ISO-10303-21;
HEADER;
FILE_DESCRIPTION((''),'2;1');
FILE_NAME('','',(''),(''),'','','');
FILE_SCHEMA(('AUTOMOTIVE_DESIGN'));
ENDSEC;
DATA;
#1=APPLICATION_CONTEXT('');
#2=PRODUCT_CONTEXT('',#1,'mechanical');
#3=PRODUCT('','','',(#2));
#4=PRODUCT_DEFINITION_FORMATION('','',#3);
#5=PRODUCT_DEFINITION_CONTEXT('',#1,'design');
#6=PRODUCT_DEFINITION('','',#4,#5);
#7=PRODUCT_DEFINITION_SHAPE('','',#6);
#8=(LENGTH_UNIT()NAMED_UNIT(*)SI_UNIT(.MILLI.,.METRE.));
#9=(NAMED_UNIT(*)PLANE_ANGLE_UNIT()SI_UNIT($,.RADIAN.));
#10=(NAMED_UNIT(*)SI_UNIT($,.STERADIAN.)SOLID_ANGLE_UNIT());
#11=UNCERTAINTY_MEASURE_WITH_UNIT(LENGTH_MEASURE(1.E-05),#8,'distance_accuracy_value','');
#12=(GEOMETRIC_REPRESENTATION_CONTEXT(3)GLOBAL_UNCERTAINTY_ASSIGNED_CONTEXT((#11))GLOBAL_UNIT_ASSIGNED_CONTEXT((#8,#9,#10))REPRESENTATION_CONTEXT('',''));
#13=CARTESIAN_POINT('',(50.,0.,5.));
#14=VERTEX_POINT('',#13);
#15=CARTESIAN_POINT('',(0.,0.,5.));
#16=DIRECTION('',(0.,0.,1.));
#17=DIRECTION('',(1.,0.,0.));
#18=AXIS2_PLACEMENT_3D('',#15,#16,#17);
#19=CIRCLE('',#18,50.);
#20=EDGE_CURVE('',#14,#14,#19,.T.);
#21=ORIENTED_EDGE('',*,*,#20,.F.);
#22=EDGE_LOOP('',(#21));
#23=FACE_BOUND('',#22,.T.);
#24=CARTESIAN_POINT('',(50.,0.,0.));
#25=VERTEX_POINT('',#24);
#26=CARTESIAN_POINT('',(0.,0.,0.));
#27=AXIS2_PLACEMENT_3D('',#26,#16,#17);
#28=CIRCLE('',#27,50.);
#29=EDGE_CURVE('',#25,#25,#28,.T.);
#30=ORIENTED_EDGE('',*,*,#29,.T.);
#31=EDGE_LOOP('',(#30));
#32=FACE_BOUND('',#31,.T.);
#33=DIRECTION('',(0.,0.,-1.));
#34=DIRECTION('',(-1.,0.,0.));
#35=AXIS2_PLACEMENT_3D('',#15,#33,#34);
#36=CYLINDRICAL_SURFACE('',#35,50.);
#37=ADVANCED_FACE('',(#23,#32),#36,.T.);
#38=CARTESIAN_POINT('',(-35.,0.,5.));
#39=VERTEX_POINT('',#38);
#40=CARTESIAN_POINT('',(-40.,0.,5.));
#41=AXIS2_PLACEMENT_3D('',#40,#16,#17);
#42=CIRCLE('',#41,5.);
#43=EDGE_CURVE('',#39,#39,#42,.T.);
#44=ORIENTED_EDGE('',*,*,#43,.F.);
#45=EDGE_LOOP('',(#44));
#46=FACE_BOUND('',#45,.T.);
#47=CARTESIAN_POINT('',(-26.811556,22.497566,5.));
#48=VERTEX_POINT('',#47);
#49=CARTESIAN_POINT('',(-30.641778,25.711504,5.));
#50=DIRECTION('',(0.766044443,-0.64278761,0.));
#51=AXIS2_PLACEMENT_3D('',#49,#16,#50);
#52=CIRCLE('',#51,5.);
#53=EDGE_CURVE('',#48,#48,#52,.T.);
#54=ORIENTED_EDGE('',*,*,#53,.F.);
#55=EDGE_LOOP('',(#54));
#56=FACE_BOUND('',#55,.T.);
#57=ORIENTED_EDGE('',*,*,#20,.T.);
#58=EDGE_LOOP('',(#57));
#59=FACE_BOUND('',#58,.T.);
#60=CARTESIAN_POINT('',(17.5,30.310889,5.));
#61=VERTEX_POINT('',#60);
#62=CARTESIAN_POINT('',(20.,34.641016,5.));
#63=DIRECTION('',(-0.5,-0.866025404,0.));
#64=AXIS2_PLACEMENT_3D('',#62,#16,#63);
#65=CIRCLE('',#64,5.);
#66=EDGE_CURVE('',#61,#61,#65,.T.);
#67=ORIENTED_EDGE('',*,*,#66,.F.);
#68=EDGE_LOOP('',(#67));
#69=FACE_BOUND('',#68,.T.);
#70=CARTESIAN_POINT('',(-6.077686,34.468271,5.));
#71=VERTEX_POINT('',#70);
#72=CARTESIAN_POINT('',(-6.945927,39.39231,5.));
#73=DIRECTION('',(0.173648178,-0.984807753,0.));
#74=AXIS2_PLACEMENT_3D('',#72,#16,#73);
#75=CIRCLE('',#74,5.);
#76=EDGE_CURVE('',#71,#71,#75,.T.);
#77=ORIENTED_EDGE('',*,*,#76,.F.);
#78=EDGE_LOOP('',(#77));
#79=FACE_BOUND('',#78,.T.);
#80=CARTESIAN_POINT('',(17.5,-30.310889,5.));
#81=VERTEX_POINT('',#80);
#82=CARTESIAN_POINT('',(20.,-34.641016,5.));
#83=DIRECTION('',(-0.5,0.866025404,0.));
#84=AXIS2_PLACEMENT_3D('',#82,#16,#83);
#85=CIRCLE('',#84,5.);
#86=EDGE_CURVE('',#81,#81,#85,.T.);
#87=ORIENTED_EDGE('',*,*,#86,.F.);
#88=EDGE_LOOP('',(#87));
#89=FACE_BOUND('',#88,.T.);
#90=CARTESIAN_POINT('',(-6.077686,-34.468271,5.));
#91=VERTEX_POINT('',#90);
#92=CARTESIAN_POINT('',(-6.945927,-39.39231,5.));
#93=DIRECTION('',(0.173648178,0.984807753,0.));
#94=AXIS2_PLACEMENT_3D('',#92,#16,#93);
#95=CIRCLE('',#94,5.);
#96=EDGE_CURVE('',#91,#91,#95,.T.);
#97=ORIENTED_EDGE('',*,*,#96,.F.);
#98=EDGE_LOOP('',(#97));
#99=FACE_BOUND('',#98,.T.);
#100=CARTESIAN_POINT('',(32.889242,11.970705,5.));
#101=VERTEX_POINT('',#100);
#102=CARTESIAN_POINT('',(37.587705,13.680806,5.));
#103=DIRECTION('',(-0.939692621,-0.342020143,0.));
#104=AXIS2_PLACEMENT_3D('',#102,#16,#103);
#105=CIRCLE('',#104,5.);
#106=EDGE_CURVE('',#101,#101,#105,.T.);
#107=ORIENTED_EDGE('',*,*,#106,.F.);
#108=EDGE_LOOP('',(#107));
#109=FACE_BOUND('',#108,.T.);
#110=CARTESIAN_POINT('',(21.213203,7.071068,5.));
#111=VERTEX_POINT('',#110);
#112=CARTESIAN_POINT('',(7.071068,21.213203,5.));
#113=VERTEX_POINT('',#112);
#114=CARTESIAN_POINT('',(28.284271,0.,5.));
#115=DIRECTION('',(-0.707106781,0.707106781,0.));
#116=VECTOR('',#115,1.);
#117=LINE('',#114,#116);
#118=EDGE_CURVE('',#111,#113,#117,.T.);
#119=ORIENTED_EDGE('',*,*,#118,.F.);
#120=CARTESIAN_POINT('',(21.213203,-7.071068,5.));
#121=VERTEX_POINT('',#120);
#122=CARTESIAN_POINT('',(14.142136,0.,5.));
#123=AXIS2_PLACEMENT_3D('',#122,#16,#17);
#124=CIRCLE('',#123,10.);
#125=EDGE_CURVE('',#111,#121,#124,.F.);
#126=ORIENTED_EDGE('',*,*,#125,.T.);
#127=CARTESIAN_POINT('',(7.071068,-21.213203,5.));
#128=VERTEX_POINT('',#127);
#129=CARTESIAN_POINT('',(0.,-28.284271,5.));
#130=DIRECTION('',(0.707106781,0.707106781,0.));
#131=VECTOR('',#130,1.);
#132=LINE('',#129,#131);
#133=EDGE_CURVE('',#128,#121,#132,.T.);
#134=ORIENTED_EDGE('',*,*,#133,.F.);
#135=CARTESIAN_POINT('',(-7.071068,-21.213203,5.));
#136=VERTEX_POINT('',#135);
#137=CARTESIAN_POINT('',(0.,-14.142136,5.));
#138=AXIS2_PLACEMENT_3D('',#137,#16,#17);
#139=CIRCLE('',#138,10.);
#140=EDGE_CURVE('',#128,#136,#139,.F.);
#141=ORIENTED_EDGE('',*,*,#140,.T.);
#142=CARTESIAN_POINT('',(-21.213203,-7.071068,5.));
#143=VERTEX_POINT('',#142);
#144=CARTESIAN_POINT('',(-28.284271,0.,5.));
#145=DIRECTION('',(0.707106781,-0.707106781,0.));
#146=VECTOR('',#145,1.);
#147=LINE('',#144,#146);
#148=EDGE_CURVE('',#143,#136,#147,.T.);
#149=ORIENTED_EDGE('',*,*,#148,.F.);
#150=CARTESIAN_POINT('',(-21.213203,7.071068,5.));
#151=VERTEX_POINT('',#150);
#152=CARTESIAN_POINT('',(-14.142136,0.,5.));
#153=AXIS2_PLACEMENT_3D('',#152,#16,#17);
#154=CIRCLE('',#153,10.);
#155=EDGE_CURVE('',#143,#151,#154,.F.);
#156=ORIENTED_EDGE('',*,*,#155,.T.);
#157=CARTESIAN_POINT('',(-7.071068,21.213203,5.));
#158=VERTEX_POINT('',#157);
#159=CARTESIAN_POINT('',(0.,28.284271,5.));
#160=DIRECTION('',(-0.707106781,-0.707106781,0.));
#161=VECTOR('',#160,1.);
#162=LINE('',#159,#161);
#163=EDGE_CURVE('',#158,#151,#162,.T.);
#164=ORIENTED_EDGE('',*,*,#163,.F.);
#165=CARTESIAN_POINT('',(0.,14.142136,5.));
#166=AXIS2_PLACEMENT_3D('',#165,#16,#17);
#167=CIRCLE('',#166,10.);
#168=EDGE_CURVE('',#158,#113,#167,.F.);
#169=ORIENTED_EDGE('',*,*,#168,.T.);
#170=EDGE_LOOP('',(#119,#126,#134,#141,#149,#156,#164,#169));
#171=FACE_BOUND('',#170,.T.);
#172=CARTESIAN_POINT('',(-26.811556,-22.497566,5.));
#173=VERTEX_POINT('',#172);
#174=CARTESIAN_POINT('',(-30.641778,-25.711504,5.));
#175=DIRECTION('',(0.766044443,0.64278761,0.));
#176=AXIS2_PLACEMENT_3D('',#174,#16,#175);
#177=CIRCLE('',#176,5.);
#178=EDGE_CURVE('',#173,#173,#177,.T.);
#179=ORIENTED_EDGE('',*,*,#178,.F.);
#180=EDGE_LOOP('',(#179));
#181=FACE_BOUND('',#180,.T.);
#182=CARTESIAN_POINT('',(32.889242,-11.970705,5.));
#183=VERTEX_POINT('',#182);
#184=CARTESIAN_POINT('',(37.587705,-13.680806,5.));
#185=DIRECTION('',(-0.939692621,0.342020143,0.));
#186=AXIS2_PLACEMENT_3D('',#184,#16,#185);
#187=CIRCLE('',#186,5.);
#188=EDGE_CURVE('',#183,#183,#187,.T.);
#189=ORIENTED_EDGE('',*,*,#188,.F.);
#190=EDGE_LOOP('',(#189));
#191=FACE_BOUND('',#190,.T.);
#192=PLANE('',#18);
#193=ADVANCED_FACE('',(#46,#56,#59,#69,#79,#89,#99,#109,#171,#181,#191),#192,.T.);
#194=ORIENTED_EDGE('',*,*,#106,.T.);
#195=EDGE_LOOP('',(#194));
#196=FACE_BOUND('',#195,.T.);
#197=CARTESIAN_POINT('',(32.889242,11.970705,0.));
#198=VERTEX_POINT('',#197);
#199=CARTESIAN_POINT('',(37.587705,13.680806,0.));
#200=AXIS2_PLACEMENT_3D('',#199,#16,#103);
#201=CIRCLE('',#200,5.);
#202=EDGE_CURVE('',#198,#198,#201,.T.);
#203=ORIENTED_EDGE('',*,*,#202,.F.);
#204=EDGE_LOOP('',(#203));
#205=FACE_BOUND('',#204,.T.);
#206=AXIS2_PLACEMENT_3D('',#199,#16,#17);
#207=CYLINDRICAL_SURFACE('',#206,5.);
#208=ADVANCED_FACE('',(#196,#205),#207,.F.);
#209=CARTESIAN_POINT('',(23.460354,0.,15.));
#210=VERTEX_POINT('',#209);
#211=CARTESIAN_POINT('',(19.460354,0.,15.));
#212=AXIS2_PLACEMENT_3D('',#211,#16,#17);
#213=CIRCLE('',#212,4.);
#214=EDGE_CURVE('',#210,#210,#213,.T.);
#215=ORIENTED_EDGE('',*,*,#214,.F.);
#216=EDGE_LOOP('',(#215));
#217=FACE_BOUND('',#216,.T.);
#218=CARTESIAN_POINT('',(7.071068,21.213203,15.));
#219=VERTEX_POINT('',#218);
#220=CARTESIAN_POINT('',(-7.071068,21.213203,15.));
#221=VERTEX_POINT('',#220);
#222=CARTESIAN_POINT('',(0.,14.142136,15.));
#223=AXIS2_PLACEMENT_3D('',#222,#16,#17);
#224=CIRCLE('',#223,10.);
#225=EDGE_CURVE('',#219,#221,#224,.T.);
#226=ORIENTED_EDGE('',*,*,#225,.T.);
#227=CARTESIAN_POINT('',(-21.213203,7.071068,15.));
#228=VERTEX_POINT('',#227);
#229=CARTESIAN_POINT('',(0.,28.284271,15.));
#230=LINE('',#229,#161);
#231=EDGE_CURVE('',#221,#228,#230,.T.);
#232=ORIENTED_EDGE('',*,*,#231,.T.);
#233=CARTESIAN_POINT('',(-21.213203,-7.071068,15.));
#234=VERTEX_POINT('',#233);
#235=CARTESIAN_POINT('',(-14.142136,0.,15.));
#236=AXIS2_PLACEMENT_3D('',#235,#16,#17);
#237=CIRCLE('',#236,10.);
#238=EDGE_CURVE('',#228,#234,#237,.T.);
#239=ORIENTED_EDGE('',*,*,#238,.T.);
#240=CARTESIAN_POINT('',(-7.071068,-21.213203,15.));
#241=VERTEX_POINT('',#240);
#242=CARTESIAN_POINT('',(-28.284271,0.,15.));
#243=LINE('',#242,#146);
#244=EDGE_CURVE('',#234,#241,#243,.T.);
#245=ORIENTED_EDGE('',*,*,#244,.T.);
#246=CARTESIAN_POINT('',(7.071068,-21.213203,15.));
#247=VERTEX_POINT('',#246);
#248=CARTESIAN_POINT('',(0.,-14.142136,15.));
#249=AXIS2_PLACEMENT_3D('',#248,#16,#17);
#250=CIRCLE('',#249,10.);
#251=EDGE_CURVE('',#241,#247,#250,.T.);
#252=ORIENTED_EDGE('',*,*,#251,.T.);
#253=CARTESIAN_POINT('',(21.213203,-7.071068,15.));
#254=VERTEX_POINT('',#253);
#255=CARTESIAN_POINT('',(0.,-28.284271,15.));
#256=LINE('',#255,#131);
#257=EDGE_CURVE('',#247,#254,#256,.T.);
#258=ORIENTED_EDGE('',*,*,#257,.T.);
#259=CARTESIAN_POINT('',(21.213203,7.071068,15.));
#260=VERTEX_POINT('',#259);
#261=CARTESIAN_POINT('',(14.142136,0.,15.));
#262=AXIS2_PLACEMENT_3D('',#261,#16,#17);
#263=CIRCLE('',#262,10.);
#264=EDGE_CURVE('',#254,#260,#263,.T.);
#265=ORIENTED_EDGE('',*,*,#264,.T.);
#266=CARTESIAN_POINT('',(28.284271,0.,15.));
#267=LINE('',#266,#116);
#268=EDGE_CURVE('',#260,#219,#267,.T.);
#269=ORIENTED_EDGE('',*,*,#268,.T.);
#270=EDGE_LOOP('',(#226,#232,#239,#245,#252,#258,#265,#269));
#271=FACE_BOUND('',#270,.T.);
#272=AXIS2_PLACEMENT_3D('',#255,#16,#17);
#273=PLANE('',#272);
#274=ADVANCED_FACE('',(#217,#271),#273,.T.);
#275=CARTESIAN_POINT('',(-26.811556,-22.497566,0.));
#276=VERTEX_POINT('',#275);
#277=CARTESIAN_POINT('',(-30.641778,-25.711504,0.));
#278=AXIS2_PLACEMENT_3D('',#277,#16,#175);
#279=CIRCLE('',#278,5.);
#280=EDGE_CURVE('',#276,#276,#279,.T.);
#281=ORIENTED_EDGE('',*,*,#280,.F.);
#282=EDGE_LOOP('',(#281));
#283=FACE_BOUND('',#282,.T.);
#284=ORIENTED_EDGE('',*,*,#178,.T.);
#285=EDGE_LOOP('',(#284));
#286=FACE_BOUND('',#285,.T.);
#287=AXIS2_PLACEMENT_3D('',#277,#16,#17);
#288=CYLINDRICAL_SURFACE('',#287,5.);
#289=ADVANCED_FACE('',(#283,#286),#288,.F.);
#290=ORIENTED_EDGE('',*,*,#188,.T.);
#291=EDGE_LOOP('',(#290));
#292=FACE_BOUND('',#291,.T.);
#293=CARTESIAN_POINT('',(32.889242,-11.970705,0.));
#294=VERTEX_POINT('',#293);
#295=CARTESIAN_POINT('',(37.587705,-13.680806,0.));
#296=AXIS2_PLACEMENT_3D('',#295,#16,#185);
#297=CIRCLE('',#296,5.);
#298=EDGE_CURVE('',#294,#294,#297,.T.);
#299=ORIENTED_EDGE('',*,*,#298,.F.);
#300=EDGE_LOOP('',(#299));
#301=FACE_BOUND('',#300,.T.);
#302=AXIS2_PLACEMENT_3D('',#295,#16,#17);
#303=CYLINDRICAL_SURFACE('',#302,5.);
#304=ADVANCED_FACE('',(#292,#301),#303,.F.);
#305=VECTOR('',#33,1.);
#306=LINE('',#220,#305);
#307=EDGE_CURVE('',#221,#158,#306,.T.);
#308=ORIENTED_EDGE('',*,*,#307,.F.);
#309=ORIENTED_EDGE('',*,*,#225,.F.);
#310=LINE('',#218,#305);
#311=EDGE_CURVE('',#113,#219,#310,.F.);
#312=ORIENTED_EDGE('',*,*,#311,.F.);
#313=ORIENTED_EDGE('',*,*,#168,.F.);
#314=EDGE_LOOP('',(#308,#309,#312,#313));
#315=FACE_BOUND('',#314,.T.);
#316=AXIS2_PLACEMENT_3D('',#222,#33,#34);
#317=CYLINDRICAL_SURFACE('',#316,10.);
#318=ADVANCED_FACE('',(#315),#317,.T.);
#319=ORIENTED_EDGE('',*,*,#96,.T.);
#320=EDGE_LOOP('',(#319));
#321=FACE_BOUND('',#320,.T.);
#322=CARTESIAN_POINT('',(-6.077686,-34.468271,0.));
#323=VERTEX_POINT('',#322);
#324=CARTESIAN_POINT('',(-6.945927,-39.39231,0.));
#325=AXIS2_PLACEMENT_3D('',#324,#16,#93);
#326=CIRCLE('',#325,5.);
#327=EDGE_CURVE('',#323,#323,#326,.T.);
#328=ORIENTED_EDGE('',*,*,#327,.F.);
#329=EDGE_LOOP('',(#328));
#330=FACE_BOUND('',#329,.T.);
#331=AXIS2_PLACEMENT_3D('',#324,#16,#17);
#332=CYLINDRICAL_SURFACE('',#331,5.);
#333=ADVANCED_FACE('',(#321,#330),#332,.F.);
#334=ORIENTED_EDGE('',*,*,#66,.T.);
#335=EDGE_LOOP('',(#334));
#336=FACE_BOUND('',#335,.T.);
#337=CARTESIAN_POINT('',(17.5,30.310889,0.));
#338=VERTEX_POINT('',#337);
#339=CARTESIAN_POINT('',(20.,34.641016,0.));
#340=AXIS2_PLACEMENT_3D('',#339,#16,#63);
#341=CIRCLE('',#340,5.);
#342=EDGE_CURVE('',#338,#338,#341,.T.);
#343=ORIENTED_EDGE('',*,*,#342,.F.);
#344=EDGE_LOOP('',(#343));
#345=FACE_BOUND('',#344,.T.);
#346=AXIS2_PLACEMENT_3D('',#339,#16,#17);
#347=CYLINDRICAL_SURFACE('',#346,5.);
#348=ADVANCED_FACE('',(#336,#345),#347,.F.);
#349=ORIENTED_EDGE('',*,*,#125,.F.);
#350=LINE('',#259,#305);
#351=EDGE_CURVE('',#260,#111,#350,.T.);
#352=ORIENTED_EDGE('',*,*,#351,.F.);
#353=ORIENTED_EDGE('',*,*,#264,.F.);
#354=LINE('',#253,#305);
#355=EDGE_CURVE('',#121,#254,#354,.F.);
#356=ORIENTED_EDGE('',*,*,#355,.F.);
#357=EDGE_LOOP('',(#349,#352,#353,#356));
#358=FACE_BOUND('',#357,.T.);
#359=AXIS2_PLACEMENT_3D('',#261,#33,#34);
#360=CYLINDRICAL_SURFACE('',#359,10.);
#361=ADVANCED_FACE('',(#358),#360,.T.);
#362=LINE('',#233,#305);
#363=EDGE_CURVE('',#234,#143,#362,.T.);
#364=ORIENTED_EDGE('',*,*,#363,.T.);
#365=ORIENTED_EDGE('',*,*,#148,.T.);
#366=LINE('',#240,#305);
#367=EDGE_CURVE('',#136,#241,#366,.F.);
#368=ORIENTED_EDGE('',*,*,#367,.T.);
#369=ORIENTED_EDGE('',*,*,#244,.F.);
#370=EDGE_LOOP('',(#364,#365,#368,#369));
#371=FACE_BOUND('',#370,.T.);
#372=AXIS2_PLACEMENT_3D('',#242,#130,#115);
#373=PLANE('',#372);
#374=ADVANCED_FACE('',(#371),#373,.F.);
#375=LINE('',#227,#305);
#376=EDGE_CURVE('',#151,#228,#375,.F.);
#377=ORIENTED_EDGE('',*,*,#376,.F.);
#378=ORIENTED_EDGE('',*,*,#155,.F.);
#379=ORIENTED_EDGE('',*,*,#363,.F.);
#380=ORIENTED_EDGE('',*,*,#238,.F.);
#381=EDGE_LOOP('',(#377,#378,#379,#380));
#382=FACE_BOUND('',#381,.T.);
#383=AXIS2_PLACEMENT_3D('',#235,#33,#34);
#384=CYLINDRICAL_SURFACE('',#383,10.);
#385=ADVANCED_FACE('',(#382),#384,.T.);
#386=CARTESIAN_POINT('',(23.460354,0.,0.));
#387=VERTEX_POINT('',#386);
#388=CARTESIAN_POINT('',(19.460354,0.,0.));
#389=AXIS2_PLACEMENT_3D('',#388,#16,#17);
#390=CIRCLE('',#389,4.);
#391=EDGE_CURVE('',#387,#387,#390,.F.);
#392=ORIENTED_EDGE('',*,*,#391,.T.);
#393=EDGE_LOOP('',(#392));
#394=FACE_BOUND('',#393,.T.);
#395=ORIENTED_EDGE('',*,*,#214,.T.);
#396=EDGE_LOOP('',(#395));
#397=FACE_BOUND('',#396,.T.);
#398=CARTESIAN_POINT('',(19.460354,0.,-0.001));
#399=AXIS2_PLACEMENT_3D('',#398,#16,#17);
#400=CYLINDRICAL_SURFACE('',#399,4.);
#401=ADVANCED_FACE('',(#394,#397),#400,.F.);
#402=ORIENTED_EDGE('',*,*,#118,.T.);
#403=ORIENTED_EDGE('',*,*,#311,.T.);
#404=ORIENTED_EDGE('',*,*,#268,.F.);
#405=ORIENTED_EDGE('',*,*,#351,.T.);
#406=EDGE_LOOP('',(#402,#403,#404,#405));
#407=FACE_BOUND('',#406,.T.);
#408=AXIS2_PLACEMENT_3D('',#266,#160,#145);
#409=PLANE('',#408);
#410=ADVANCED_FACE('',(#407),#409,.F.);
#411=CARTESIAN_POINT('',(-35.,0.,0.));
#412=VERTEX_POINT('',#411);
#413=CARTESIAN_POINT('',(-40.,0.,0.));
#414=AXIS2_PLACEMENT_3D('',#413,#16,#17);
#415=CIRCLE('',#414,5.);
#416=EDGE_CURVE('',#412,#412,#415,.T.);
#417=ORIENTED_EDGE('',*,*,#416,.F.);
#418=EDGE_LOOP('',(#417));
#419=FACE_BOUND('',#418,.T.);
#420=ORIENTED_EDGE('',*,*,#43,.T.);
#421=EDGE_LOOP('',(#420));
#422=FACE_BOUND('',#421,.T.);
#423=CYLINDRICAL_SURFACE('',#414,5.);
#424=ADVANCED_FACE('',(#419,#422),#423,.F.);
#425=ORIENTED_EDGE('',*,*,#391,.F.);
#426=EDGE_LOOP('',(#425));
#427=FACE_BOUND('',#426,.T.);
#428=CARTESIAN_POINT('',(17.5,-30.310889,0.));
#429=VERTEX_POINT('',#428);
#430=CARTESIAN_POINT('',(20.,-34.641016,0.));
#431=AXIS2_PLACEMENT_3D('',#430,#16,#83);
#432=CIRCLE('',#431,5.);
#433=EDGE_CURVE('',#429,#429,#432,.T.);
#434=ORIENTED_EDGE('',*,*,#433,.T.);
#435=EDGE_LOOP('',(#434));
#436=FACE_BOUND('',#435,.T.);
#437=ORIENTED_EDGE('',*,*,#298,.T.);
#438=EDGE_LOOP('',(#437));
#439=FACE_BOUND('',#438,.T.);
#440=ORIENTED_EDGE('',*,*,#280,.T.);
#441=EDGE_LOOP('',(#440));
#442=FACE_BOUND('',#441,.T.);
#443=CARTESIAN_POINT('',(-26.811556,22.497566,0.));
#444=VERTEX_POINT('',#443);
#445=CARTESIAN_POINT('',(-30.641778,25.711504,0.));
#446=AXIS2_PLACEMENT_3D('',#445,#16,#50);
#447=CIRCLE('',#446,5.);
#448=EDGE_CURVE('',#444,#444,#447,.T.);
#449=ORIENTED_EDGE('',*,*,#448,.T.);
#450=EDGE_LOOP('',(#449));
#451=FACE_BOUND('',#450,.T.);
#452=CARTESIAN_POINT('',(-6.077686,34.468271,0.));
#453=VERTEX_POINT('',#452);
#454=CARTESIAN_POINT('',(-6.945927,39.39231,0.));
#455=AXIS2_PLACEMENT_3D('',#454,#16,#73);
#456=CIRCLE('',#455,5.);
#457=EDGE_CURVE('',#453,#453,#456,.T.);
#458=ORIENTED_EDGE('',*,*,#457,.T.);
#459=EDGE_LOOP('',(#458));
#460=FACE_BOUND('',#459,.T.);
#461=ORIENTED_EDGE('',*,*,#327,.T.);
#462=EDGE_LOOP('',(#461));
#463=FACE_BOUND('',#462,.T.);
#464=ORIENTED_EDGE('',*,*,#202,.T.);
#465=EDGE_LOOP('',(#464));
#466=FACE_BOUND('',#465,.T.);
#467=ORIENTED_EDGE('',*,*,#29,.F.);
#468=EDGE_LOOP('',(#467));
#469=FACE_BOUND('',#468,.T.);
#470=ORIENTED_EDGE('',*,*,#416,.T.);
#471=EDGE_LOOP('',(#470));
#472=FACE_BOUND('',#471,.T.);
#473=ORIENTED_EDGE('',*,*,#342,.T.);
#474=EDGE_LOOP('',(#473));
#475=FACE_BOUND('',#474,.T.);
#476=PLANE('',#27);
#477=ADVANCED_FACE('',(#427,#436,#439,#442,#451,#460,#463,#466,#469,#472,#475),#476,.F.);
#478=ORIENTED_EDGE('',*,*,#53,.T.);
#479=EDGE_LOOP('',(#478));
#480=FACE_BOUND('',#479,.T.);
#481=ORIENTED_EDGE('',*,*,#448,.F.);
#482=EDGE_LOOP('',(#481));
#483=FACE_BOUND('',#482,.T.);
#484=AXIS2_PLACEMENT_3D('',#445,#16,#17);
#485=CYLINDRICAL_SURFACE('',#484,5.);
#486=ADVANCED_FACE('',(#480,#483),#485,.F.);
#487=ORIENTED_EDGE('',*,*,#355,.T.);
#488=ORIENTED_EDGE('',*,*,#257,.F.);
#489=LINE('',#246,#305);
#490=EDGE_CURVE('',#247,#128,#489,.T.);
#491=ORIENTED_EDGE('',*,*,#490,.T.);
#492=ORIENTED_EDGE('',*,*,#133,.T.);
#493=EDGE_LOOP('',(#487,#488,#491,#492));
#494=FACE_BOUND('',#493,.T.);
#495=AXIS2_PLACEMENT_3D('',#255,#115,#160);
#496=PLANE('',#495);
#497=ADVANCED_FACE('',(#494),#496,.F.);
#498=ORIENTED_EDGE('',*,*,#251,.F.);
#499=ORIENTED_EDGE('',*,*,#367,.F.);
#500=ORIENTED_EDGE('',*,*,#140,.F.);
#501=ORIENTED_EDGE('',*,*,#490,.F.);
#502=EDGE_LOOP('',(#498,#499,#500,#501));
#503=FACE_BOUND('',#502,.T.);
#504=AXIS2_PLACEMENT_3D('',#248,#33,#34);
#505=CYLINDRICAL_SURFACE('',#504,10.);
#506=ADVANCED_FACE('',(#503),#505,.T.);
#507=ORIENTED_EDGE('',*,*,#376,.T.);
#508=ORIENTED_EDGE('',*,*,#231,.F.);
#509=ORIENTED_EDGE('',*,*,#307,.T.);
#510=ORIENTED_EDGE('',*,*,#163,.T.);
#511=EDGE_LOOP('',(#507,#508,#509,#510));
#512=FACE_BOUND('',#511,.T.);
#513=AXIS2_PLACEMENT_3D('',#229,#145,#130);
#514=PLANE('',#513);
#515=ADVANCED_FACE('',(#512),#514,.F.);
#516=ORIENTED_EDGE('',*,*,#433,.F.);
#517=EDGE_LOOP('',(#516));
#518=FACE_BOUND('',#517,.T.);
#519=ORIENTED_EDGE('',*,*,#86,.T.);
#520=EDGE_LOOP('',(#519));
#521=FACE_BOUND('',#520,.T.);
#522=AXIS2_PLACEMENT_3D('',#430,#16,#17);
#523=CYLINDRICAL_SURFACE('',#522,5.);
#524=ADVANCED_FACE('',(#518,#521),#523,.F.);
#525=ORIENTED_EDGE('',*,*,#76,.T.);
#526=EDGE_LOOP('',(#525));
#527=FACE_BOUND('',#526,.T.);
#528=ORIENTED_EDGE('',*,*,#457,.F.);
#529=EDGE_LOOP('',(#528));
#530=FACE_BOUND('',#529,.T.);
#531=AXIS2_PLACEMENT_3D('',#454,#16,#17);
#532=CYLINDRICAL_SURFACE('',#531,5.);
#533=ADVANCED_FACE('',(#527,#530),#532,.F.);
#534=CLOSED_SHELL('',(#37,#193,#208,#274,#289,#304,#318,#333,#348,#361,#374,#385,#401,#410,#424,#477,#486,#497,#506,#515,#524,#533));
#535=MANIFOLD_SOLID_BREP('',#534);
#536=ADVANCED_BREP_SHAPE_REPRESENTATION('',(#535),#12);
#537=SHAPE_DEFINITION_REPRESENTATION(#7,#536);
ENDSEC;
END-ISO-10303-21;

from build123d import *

# Parameters (mm, degrees)
SKICA1_R                 = 50
VYSUNOUT1_DEPTH          = 5
SKICA3_R                 = 5
ODEBRAT_VYSUNUT_M1_DEPTH = 6
KRUHOV_POLE1_COUNT       = 9
VYSUNOUT2_DEPTH          = 10
ZAOBLIT2_R               = 10
ODEBRAT_VYSUNUT_M2_REACH = 17
SKICA5_R                 = 4


with BuildPart() as part:
    # Skica1 → Vysunout1 (new body)
    with BuildSketch(Plane.XY):
        Circle(SKICA1_R)
    extrude(amount=VYSUNOUT1_DEPTH)

    # Skica3 → Odebrat vysunutím1 (cut, through all)
    with BuildSketch(Plane.XY.offset(5)):
        with Locations((-40, 0)):
            Circle(SKICA3_R)
    odebrat_vysunut_m1 = extrude(amount=-ODEBRAT_VYSUNUT_M1_DEPTH, mode=Mode.SUBTRACT)

    # Kruhové pole1: Odebrat vysunutím1 ×9 about axis
    kruhov_pole1_axis = Axis((0, 0, 0), (0, 0, 1))
    for i in range(1, KRUHOV_POLE1_COUNT):
        add(odebrat_vysunut_m1.rotate(kruhov_pole1_axis, i * 360 / KRUHOV_POLE1_COUNT), mode=Mode.SUBTRACT)

    # Skica2 → Vysunout2 (add)
    with BuildSketch(Plane.XY.offset(5)):
        Polygon((0, 28.284271247), (-28.284271247, 0), (0, -28.284271247), (28.284271247, 0), align=None)
    extrude(amount=VYSUNOUT2_DEPTH)

    # Zaoblit2
    zaoblit2_edges = [part.edges().sort_by_distance(p)[0] for p in [
        (-28.284271247, 0, 10),
        (0, -28.284271247, 10),
        (28.284271247, 0, 10),
        (0, 28.284271247, 10),
    ]]
    fillet(zaoblit2_edges, radius=ZAOBLIT2_R)

    # Skica5 → Odebrat vysunutím2 (cut, up to next)
    with BuildSketch(Plane.XY.offset(15), mode=Mode.PRIVATE) as odebrat_vysunut_m2_sk1:
        with Locations((19.460353897, 0)):
            Circle(SKICA5_R)
    odebrat_vysunut_m2_tool1 = extrude(odebrat_vysunut_m2_sk1.sketch, amount=-ODEBRAT_VYSUNUT_M2_REACH, mode=Mode.PRIVATE) & part.part
    add(odebrat_vysunut_m2_tool1.solids().sort_by_distance((19.460354, 0, 15))[0], mode=Mode.SUBTRACT)


solid = part.part
